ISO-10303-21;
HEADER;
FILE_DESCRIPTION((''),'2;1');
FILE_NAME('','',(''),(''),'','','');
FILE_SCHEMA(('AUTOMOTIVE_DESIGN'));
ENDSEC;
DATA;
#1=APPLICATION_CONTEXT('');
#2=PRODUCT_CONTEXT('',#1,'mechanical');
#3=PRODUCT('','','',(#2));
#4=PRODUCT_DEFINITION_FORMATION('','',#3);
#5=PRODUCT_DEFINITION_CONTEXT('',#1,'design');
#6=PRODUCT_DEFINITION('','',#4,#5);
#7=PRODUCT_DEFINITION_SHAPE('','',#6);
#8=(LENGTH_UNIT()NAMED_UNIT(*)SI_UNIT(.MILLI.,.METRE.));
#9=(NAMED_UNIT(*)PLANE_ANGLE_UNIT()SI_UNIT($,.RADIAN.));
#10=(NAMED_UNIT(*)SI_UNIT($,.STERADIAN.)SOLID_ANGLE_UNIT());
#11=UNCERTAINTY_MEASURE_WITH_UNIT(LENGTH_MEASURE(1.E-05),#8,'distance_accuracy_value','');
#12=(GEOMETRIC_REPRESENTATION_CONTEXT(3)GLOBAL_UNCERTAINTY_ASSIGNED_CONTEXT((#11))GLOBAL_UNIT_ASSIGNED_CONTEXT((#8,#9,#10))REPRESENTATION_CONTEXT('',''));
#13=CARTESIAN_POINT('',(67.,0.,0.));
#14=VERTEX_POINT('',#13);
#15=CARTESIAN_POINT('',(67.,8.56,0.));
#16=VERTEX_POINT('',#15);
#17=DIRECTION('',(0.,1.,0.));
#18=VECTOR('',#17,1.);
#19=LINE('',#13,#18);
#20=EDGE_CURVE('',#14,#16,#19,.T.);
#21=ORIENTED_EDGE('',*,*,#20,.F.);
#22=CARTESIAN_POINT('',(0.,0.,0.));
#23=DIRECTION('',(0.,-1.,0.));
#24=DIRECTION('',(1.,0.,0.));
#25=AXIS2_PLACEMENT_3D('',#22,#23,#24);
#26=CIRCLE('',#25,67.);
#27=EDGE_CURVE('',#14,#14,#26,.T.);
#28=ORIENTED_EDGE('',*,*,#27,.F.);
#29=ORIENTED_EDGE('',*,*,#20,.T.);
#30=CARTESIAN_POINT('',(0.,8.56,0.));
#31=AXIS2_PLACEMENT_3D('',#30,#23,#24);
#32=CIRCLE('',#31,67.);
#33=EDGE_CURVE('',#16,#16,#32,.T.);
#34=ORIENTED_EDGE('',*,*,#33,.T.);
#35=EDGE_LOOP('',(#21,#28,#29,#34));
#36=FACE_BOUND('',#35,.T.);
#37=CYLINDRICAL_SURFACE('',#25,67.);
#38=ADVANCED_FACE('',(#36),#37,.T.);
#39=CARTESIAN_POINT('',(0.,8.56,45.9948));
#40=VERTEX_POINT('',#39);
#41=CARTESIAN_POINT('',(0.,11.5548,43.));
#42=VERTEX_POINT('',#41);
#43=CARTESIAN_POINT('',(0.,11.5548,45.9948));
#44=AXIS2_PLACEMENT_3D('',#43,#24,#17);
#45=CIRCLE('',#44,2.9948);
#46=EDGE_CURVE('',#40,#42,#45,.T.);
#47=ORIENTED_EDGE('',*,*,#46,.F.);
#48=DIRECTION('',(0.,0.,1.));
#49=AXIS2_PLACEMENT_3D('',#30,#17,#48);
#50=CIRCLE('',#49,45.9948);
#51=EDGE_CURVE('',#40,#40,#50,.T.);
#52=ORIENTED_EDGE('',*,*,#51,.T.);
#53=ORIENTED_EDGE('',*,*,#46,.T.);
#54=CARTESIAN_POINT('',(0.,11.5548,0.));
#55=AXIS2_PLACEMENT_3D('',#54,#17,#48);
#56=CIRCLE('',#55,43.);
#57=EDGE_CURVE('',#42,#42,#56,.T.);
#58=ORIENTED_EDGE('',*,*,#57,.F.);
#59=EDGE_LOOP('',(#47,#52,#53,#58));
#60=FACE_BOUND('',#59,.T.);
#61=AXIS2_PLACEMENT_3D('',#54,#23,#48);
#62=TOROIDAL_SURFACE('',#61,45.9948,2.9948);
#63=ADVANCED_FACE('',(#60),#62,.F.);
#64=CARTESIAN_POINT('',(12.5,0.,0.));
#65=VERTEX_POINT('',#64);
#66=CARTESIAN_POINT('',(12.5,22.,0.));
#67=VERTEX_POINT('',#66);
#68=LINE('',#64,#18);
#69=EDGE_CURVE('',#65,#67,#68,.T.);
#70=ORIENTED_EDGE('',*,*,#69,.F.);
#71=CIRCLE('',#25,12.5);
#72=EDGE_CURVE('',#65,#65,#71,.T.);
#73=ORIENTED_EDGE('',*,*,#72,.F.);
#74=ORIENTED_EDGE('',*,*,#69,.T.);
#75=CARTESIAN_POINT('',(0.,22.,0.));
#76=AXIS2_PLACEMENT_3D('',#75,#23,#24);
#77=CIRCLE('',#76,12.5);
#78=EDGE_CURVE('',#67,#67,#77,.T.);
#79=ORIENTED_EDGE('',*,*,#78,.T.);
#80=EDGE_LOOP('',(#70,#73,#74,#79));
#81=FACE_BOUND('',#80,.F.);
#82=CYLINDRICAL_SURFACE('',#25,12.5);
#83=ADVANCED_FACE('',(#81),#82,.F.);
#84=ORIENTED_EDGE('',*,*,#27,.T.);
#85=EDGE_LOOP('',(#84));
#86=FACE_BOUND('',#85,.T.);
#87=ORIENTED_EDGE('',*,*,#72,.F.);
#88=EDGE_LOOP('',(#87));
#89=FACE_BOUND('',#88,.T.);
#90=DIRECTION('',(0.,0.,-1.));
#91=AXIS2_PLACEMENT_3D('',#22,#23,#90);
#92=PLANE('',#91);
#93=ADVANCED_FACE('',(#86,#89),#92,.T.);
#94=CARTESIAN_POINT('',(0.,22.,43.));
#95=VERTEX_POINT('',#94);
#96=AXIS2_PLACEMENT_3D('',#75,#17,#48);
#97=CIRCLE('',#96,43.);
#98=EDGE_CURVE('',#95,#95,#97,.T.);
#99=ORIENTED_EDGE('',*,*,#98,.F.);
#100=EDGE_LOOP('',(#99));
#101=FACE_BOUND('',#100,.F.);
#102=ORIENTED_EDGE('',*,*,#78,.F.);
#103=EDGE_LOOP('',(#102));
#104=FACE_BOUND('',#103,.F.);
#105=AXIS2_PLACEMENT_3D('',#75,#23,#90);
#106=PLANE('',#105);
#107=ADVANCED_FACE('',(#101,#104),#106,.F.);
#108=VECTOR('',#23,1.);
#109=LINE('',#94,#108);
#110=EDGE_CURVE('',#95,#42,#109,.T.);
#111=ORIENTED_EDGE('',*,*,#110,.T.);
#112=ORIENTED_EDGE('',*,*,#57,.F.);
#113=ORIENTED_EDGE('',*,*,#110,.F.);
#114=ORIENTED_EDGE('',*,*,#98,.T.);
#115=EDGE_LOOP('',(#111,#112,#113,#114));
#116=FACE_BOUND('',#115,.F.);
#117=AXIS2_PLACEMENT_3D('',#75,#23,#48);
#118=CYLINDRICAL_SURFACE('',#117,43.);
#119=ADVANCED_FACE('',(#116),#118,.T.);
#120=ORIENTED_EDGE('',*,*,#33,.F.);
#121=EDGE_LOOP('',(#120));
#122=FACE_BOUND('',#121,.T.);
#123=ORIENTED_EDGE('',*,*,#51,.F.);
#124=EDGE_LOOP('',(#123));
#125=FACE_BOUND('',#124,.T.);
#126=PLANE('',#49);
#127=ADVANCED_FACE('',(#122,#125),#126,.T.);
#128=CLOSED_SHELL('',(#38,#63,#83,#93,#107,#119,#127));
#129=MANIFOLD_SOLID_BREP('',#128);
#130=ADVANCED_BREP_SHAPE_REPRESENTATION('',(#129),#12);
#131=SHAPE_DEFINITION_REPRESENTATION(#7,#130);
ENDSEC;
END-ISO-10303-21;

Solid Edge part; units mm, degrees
sketch "Sketch1" plane through (0, 0, 0) normal (0, -1, 0) x (1, 0, 0)
  circle A0 centre (0, 0) radius 67
extrude "Protrusion1" add sketch "Sketch1" against normal blind 22
sketch "Sketch2" plane through (0, 0, 0) normal (1, 0, 0) x (0, 1, 0)
  line L0 (8.56, 67) -> (8.56, 45.9948)
  arc A0 (8.56, 45.9948) -> (11.5548, 43) centre (11.5548, 45.9948) ccw
  line L1 (22, 43) -> (11.5548, 43)
  line L2 (22, 67) -> (22, 43)
  line L3 (8.56, 67) -> (22, 67)
  dimension "D1" = 8.56
revolve "RevolvedCutout1" cut sketch "Sketch2" angle 360 about axis through (0, 0, 0) along (0, 1, 0)
sketch "Sketch3" plane through (0, 0, 0) normal (0, -1, 0) x (1, 0, 0)
  circle A0 centre (0, 0) radius 12.5
extrude "ExtrudedCutout_1" cut sketch "Sketch3" against normal blind 22
